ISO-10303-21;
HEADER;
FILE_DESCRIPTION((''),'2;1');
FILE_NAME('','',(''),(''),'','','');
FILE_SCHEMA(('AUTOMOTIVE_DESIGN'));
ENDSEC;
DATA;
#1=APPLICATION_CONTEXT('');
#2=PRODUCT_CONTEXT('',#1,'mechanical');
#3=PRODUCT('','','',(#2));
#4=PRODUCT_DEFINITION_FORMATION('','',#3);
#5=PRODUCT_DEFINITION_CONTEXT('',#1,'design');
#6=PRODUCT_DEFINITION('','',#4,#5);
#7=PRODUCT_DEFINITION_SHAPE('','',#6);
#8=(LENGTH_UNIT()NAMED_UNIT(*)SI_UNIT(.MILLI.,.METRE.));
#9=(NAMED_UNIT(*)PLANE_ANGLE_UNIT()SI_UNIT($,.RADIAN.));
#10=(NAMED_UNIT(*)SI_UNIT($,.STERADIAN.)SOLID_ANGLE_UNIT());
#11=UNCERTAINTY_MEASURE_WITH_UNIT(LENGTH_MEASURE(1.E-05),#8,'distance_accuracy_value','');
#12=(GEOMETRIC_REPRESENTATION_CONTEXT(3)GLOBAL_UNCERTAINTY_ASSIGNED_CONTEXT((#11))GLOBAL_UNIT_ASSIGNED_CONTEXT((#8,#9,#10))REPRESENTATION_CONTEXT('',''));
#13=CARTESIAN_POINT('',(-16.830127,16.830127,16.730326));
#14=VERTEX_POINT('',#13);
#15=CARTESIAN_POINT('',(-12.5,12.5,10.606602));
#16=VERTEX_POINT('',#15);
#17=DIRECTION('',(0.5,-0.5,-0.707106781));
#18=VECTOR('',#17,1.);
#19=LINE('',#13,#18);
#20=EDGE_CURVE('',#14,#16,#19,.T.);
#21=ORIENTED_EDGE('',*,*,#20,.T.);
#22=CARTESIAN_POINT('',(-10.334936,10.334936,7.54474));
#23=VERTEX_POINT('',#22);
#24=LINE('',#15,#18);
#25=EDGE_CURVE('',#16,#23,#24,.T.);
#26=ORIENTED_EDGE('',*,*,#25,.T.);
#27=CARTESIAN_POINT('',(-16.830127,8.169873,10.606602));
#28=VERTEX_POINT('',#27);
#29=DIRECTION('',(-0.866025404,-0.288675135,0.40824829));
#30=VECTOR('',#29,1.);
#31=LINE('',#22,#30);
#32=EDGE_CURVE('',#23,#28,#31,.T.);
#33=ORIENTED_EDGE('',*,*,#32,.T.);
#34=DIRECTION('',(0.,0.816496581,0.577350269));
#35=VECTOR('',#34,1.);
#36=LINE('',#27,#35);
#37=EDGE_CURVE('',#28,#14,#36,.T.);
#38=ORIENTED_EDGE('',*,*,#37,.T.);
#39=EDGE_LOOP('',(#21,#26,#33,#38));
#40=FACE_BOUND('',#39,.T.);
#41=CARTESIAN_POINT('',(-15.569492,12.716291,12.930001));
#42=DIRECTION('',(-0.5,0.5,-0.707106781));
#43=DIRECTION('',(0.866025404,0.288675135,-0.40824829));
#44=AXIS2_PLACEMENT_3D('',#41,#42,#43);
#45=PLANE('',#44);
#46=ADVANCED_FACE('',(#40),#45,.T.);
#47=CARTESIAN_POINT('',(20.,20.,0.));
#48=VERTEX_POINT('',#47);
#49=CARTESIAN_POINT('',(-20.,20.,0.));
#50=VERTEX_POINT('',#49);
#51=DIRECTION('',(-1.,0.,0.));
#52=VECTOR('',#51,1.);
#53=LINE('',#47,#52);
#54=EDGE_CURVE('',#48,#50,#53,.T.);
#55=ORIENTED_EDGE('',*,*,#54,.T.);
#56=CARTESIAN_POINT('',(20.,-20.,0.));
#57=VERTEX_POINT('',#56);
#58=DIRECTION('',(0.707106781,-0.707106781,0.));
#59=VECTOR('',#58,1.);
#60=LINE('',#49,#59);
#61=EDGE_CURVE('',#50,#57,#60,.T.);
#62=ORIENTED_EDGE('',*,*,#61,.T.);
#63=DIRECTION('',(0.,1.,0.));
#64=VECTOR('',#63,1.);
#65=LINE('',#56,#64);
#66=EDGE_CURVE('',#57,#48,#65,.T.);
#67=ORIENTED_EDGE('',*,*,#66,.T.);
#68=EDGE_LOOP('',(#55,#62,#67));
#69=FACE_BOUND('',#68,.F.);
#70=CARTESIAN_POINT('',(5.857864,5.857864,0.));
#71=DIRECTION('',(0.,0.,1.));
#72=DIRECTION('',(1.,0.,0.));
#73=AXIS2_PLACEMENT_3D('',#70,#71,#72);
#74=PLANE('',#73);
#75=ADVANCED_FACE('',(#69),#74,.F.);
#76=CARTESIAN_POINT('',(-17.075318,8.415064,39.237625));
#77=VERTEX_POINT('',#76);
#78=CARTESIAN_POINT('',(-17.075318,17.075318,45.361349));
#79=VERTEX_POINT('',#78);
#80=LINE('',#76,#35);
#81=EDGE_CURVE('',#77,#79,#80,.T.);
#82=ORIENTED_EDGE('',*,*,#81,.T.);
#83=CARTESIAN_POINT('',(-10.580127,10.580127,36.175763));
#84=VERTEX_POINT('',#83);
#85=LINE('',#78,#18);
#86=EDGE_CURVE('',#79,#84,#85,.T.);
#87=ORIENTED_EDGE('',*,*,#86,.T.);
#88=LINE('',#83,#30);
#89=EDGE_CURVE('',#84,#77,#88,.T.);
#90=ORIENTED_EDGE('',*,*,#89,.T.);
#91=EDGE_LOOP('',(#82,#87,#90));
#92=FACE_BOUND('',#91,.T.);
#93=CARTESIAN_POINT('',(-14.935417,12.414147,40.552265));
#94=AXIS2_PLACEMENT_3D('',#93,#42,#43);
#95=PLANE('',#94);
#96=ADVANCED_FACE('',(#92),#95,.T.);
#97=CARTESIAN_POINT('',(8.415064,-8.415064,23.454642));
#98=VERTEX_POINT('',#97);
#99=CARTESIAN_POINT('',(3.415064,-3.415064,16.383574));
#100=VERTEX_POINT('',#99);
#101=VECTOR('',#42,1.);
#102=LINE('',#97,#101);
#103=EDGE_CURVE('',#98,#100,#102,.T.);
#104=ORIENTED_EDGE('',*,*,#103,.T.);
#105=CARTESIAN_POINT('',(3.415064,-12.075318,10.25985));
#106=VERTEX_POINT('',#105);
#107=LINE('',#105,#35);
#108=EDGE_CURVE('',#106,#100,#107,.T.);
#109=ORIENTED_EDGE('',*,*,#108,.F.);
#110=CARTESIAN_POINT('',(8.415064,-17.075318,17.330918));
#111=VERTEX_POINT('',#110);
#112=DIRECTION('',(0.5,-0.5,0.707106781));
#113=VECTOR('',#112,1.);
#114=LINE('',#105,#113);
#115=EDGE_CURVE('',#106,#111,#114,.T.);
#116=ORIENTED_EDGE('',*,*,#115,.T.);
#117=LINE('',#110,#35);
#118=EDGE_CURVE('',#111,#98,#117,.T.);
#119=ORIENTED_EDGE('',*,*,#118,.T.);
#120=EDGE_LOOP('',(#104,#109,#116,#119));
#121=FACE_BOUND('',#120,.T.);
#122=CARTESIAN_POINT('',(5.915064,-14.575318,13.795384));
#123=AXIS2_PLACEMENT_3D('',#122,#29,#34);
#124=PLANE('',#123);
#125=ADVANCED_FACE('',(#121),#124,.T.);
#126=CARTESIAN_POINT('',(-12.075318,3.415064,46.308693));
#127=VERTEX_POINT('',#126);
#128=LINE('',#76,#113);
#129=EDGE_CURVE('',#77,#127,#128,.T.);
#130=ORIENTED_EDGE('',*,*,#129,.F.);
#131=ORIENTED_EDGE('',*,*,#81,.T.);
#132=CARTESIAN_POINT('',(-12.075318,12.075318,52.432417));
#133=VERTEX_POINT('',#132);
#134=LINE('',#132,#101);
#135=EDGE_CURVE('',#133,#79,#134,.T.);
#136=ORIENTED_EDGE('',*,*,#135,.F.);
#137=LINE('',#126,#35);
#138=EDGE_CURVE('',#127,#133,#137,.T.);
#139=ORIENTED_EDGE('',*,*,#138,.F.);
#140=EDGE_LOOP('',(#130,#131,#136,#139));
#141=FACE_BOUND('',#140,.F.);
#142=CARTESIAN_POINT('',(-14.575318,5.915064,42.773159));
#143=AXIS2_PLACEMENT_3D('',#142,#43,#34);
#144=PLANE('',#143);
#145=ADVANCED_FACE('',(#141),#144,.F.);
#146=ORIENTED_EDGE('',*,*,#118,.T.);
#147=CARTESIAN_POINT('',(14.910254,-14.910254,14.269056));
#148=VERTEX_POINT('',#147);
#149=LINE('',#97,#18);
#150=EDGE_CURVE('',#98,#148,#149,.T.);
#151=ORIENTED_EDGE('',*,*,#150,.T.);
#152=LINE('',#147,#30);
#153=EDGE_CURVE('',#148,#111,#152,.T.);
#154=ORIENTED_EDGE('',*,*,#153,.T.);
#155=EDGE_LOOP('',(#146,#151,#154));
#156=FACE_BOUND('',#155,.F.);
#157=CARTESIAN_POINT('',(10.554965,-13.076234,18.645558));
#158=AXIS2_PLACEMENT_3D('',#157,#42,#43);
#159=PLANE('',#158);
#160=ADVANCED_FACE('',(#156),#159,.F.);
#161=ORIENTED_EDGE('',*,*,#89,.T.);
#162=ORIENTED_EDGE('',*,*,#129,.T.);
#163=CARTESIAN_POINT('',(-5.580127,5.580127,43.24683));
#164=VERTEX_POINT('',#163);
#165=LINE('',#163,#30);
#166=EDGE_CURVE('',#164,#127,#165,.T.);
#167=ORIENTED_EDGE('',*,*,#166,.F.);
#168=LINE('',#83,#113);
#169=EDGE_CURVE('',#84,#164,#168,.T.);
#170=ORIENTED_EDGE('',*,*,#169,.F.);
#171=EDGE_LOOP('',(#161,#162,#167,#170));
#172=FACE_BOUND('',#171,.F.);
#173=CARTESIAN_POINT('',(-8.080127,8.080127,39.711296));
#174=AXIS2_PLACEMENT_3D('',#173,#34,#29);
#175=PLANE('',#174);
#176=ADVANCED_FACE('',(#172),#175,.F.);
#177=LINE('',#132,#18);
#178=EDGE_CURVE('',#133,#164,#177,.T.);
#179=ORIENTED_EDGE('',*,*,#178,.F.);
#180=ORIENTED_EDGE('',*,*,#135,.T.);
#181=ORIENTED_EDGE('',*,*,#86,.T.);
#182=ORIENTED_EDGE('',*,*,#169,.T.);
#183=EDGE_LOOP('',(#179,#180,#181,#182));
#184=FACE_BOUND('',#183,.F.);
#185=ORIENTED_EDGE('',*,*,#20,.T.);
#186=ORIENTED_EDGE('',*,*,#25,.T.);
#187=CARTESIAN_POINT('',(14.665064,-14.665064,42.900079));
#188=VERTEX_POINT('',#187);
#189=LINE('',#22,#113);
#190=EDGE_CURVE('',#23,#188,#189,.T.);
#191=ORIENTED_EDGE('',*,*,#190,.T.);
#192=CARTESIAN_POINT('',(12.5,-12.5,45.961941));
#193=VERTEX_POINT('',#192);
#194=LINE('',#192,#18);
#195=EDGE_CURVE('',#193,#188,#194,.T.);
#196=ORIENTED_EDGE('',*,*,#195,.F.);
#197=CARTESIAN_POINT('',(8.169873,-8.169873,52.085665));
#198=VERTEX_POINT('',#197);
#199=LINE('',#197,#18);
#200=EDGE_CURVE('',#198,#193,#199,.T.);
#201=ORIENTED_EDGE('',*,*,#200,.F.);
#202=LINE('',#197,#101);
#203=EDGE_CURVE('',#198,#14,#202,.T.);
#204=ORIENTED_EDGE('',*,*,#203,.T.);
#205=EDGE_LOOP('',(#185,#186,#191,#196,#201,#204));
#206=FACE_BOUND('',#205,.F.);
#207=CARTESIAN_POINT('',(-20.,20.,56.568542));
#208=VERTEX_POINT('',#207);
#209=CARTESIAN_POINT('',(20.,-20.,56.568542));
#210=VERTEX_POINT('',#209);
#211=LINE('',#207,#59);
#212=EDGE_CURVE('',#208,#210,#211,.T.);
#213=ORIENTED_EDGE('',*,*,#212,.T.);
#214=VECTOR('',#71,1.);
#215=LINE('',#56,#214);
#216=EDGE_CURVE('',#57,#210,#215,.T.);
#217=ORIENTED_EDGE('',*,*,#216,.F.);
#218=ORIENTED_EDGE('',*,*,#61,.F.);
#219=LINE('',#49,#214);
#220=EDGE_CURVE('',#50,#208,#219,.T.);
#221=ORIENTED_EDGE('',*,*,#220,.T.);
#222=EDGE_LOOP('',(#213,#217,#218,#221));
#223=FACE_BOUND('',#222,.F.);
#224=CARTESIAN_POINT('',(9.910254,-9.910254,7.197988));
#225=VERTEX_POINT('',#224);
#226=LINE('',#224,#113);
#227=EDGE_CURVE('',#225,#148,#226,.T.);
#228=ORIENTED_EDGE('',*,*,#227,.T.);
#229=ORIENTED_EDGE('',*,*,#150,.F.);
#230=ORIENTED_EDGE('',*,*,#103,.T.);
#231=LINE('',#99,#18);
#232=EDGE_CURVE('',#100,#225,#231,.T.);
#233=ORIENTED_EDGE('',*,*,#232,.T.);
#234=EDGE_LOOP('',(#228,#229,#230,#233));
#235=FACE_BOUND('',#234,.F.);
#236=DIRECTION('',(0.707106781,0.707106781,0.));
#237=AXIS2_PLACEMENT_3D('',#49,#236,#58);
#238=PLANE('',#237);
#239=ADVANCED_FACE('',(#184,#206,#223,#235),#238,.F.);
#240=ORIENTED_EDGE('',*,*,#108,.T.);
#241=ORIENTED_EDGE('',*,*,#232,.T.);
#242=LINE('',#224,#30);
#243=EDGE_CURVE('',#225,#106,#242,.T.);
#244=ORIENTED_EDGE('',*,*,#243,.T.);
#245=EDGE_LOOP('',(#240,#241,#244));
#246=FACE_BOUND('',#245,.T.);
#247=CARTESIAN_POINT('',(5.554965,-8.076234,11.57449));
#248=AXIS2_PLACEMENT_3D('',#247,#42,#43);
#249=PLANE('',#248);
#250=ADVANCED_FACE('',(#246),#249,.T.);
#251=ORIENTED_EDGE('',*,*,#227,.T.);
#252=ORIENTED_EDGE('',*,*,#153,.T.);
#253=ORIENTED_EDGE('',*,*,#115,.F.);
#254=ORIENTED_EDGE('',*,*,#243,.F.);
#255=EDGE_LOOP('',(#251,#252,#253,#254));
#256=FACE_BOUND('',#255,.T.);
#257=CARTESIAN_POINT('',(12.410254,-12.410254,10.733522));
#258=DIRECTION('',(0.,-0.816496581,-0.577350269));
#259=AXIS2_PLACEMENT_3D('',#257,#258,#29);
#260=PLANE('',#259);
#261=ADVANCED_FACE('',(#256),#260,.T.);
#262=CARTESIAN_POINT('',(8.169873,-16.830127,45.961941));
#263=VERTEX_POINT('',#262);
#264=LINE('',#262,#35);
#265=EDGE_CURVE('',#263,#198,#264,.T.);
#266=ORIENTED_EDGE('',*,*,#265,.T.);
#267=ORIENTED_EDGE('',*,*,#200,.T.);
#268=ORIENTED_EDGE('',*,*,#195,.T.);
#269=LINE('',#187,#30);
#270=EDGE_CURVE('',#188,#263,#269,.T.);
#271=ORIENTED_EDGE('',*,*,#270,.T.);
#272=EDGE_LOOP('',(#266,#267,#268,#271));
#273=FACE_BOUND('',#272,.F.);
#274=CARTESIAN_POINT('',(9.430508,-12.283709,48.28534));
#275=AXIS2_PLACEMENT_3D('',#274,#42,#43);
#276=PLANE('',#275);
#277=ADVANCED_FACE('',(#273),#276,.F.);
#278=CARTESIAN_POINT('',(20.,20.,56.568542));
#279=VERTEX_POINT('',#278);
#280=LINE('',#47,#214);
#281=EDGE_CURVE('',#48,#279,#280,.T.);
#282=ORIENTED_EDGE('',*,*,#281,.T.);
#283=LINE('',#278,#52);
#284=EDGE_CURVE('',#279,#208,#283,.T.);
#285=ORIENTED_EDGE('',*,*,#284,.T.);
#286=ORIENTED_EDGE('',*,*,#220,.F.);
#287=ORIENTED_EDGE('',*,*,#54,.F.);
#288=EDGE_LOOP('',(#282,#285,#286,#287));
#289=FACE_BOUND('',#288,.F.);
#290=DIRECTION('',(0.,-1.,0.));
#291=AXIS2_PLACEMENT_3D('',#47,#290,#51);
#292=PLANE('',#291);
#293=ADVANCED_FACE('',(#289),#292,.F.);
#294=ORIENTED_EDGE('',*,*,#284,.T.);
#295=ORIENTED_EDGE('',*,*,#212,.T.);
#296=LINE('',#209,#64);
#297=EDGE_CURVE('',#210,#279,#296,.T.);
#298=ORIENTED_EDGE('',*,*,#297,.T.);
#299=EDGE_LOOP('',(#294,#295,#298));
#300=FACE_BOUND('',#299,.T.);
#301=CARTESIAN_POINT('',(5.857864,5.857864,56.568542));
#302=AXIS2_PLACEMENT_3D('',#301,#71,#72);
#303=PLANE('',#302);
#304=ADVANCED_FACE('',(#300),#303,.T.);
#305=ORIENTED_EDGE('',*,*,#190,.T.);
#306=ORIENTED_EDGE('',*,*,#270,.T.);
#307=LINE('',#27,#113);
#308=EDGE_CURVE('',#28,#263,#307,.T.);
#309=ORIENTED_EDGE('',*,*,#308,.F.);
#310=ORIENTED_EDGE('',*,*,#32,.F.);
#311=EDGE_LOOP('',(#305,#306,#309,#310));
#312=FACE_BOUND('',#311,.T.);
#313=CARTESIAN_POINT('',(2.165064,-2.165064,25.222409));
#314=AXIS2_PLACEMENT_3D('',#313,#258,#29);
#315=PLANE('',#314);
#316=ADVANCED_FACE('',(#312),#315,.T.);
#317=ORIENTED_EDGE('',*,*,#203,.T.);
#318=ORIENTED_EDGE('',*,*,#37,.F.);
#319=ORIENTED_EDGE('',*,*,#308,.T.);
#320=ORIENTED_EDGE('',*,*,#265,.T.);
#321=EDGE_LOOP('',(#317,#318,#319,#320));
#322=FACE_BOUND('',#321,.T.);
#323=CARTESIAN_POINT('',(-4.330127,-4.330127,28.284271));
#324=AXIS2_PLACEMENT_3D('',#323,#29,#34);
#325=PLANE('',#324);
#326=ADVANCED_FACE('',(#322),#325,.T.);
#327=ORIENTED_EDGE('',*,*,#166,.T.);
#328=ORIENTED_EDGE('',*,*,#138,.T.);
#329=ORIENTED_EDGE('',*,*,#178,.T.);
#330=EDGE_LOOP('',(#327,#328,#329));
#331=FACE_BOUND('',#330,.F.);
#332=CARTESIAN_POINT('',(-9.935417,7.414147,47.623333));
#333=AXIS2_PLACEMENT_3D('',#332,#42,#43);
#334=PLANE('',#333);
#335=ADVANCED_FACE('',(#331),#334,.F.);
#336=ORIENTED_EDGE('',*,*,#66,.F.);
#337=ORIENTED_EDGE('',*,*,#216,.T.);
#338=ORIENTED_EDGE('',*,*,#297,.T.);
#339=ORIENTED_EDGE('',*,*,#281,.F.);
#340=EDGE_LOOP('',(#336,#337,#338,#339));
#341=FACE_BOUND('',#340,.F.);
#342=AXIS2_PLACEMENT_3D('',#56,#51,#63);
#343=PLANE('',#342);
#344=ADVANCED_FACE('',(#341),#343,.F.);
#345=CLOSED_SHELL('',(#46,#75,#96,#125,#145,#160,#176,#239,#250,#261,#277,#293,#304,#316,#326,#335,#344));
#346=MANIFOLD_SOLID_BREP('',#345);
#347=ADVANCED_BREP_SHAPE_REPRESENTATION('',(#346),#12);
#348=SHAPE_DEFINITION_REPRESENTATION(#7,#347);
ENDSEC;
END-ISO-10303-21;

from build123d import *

# Parameters (mm, degrees)
F1_DEPTH = 56.5685424949
F5_DEPTH = 5
F6_DEPTH = 25


with BuildPart() as f1:
    # F0 (on Top) → F1 (new body)
    with BuildSketch(Plane.XY):
        Polygon((20, -20), (20, 20), (-20, 20), align=None)
    extrude(amount=F1_DEPTH)

    # F4 (on face) → F5 (join, symmetric)
    with BuildSketch(Plane(origin=(10, -10, 14.1421356237), x_dir=(0.8660254038, 0.2886751346, -0.4082482905), z_dir=(-0.5, 0.5, -0.7071067812))):
        Polygon((-28.3771324027, -29.5247237874), (-28.3771324027, -40.1313255052), (-20.8771324027, -29.5247237874), align=None)
        Polygon((-4.7168783649, 3.9359283621), (-4.7168783649, -6.6706733557), (2.7831216351, 3.9359283621), align=None)
    extrude(amount=F5_DEPTH, both=True)

    # F4 (on face) → F6 (join, symmetric)
    with BuildSketch(Plane(origin=(10, -10, 14.1421356237), x_dir=(0.8660254038, 0.2886751346, -0.4082482905), z_dir=(-0.5, 0.5, -0.7071067812))):
        Polygon((-16.5470053838, -12.7943977126), (-16.5470053838, -23.4009994304), (-11.5470053838, -16.3299316186), align=None)
        Polygon((-9.0470053838, -12.7943977126), (-16.5470053838, -12.7943977126), (-11.5470053838, -16.3299316186), align=None)
    extrude(amount=F6_DEPTH, both=True)


solid = f1.part
